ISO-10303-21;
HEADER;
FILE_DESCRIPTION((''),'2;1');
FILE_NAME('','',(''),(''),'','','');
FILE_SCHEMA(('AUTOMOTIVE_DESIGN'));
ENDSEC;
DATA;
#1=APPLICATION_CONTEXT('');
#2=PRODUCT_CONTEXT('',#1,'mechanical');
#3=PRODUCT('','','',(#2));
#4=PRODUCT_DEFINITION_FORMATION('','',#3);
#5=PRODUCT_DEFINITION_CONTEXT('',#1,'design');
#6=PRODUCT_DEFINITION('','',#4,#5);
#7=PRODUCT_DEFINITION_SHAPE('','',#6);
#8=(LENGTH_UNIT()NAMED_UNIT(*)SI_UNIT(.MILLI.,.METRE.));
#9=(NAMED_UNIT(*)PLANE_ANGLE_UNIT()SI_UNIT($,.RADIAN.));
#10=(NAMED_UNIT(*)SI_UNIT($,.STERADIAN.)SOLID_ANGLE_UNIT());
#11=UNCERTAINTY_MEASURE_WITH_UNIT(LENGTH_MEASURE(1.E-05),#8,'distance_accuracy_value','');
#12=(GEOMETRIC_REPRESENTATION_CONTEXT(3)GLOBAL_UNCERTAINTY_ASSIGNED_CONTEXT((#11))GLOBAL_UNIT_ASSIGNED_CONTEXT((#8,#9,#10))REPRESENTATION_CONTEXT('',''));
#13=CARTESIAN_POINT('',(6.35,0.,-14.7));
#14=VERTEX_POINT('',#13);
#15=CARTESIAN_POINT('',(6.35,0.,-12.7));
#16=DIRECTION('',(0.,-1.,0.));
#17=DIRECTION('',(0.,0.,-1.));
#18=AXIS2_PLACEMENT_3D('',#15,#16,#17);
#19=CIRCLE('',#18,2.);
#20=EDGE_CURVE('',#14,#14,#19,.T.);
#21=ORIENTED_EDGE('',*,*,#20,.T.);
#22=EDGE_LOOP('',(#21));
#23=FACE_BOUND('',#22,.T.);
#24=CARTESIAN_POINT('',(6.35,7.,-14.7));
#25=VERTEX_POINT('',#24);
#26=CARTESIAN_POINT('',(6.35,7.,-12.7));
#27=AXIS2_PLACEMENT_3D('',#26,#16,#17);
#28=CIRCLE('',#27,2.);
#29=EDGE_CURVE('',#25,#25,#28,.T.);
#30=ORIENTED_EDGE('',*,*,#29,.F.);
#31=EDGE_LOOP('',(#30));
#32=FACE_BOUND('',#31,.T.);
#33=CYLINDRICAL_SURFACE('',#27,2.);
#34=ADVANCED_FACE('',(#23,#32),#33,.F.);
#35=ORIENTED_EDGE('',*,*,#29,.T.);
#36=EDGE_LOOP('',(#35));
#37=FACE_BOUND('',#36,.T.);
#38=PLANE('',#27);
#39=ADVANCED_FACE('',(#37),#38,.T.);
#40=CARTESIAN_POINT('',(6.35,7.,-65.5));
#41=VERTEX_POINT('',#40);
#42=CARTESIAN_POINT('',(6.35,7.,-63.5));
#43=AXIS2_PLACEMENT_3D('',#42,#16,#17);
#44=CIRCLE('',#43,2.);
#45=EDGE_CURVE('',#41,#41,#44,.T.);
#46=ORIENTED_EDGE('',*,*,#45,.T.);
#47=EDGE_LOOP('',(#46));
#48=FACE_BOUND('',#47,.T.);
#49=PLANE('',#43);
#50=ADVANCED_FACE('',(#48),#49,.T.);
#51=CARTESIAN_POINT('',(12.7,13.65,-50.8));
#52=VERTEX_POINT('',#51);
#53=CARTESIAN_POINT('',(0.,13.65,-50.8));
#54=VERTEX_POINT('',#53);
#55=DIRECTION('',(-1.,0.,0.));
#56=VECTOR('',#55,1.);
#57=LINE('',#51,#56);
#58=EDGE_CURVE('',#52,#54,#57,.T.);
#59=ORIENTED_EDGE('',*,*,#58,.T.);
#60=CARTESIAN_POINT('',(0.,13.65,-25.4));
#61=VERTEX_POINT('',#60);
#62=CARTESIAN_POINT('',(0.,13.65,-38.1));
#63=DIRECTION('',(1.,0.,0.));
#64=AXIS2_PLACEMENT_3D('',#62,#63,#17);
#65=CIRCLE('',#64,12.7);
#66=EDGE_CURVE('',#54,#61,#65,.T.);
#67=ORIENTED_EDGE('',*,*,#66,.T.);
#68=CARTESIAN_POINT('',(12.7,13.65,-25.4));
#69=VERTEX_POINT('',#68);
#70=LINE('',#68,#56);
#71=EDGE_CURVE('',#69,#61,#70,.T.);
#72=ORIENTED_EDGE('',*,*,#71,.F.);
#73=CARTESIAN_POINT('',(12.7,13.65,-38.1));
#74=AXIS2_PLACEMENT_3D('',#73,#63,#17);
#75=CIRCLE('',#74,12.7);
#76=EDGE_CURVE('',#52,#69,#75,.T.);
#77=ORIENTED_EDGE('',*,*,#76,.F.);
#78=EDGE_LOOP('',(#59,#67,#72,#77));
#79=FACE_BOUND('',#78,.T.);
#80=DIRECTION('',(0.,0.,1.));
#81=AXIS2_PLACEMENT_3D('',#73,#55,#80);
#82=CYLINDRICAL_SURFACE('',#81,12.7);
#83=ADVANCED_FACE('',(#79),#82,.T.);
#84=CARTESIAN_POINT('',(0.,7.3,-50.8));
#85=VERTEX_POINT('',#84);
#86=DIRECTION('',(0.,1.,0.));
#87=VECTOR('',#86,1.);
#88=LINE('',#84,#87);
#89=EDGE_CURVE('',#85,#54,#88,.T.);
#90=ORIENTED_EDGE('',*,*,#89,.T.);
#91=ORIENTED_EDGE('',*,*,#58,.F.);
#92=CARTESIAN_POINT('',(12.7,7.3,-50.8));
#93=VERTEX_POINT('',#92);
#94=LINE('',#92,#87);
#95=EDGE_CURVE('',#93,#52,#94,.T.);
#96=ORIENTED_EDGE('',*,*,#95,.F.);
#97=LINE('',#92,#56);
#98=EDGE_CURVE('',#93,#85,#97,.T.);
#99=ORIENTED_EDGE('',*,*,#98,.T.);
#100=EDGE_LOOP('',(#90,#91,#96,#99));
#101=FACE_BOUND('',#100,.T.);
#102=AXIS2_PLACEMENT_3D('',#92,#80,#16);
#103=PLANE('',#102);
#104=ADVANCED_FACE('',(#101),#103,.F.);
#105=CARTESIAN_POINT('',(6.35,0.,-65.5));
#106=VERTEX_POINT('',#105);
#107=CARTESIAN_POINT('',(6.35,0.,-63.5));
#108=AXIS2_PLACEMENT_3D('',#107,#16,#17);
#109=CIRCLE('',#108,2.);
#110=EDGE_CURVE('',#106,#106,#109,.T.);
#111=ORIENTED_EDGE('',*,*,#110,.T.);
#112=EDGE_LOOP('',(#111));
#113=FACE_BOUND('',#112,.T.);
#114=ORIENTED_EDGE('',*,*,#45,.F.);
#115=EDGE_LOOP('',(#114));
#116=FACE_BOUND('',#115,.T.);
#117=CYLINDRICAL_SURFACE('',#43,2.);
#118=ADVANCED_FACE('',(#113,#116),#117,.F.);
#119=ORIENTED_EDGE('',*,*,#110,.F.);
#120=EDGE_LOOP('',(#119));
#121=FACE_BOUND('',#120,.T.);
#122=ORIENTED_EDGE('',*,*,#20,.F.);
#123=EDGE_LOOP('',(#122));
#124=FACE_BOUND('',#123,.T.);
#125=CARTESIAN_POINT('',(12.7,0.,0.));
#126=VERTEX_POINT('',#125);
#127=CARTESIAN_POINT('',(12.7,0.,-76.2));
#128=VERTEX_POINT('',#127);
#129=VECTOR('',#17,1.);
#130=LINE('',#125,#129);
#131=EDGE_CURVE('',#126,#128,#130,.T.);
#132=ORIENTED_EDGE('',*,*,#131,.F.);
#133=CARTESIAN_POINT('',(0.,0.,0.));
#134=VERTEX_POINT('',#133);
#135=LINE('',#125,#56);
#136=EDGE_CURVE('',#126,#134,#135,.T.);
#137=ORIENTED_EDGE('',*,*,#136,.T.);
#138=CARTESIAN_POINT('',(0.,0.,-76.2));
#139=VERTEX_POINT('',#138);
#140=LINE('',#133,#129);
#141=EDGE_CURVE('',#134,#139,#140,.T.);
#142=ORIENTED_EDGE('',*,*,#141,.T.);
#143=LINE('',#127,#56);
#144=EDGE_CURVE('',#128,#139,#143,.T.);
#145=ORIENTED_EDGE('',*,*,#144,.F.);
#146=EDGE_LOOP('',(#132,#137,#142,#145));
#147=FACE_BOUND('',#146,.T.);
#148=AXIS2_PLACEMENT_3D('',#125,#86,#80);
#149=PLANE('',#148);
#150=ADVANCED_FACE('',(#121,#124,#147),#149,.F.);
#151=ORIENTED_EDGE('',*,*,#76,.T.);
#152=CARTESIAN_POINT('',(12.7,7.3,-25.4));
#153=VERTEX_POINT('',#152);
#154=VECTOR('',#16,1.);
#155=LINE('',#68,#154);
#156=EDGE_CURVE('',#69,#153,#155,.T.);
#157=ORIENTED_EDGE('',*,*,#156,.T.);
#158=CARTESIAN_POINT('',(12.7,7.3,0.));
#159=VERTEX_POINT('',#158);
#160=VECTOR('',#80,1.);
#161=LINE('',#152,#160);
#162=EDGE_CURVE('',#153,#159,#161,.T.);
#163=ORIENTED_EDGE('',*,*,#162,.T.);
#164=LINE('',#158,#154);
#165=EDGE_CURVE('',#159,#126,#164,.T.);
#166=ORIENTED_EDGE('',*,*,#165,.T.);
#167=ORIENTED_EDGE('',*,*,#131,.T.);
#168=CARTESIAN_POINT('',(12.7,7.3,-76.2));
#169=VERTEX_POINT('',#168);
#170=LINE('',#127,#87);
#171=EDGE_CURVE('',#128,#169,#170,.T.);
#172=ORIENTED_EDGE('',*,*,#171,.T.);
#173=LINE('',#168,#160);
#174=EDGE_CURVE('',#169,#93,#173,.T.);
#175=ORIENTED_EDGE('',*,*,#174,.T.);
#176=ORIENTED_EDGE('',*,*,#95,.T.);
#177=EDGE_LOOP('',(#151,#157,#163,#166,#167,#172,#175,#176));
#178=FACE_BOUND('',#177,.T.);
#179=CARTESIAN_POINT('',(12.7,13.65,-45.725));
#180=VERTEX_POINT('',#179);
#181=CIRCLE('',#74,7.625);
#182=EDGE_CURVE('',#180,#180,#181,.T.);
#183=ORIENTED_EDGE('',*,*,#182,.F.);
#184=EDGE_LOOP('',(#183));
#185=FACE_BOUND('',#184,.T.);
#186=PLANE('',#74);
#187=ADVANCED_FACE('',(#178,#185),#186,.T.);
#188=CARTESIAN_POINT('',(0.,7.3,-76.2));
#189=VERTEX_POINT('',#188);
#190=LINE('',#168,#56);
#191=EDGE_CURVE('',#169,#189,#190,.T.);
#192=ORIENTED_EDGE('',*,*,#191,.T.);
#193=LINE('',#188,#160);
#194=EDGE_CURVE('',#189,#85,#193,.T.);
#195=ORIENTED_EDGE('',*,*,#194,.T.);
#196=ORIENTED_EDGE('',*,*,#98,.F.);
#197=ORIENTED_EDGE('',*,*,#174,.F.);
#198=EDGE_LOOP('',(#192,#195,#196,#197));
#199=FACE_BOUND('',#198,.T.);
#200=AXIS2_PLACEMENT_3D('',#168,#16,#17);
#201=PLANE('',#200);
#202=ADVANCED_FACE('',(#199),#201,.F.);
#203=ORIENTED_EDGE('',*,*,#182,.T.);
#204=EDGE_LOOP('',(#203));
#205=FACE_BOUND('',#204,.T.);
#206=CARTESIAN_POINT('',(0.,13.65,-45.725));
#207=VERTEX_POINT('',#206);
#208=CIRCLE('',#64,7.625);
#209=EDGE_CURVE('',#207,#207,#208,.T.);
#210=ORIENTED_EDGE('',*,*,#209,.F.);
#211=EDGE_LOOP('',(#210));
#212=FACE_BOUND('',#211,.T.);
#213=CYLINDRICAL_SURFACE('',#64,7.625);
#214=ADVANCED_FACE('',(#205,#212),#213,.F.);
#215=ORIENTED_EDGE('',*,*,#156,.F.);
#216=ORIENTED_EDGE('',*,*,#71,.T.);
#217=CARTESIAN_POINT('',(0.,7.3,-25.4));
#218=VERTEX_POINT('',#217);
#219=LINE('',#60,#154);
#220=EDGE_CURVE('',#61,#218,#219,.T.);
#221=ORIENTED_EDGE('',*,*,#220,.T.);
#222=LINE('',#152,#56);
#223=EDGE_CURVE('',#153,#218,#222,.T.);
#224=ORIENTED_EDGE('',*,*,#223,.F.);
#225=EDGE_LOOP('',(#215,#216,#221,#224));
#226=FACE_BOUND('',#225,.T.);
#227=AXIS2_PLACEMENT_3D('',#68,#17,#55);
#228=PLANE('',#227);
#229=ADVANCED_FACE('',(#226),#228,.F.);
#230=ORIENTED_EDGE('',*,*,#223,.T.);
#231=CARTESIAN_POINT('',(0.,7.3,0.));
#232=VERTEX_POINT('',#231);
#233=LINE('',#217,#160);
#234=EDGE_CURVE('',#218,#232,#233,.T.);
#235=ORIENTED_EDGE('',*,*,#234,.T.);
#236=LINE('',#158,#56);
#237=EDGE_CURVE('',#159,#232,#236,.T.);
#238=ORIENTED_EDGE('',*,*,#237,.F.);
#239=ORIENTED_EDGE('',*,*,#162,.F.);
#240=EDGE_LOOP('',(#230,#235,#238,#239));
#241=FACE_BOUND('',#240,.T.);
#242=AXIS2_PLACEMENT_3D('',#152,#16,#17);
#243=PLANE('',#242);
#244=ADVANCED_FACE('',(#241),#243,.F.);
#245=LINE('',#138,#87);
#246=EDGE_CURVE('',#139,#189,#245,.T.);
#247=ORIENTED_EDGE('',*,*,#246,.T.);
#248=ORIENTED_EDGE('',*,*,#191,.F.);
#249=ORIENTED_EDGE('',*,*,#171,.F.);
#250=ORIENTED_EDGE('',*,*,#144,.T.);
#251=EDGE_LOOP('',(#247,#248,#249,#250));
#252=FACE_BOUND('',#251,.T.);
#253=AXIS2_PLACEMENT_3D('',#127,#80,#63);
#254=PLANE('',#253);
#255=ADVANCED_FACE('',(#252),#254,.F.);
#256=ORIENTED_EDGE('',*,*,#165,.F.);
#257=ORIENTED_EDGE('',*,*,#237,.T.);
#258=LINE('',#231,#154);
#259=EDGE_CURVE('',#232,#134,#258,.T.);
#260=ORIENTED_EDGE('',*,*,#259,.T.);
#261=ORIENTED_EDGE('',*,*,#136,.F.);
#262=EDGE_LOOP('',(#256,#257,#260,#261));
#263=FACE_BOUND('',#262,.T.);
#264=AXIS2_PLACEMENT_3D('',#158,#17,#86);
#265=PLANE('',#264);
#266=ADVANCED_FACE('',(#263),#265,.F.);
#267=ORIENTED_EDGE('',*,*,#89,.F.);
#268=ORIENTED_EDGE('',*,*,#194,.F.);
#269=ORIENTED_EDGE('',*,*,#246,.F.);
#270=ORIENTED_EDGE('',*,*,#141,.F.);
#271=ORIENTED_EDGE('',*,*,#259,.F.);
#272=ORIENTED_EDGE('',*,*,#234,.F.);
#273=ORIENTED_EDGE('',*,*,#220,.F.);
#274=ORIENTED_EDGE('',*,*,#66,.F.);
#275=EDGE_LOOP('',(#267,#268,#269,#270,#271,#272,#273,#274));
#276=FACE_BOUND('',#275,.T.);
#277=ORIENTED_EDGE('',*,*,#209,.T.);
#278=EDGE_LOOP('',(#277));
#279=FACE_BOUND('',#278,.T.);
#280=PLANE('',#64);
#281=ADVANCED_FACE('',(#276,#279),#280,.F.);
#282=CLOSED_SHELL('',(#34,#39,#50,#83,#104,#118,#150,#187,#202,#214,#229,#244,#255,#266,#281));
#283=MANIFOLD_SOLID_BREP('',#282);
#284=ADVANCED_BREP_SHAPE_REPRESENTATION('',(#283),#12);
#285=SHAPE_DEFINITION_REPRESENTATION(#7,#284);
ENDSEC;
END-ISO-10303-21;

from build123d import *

# Parameters (mm, degrees)
BOSS_EXTRUDE1_DEPTH = 12.7
SKETCH2_R           = 7.62500004
CUT_EXTRUDE1_DEPTH  = 82.621397317
SKETCH3_R           = 2
CUT_EXTRUDE2_DEPTH  = 7


with BuildPart() as part:
    # Sketch1 → Boss-Extrude1 (new body)
    with BuildSketch(Plane(origin=(0, 0, 0), x_dir=(0, 0, -1), z_dir=(1, 0, 0))):
        with BuildLine():
            Line((0, 0), (76.2, 0))
            Line((76.2, 0), (76.2, 7.3))
            Line((76.2, 7.3), (50.8, 7.3))
            Line((50.8, 7.3), (50.8, 13.65))
            ThreePointArc((50.8, 13.65), (38.1, 26.35), (25.4, 13.65))
            Line((25.4, 13.65), (25.4, 7.3))
            Line((25.4, 7.3), (0, 7.3))
            Line((0, 7.3), (0, 0))
        make_face()
    extrude(amount=BOSS_EXTRUDE1_DEPTH)

    # Sketch2 → Cut-Extrude1 (cut, through all)
    with BuildSketch(Plane(origin=(12.7, 0, 0), x_dir=(0, 0, -1), z_dir=(1, 0, 0))):
        with Locations((38.1, 13.65)):
            Circle(SKETCH2_R)
    extrude(amount=-CUT_EXTRUDE1_DEPTH, mode=Mode.SUBTRACT)

    # Sketch3 → Cut-Extrude2 (cut)
    with BuildSketch(Plane.XZ):
        with Locations(Location((6.35, -12.7, 0), (0, 0, 270))):
            Circle(SKETCH3_R)
        with Locations(Location((6.35, -63.5, 0), (0, 0, 270))):
            Circle(SKETCH3_R)
    extrude(amount=-CUT_EXTRUDE2_DEPTH, mode=Mode.SUBTRACT)


solid = part.part
